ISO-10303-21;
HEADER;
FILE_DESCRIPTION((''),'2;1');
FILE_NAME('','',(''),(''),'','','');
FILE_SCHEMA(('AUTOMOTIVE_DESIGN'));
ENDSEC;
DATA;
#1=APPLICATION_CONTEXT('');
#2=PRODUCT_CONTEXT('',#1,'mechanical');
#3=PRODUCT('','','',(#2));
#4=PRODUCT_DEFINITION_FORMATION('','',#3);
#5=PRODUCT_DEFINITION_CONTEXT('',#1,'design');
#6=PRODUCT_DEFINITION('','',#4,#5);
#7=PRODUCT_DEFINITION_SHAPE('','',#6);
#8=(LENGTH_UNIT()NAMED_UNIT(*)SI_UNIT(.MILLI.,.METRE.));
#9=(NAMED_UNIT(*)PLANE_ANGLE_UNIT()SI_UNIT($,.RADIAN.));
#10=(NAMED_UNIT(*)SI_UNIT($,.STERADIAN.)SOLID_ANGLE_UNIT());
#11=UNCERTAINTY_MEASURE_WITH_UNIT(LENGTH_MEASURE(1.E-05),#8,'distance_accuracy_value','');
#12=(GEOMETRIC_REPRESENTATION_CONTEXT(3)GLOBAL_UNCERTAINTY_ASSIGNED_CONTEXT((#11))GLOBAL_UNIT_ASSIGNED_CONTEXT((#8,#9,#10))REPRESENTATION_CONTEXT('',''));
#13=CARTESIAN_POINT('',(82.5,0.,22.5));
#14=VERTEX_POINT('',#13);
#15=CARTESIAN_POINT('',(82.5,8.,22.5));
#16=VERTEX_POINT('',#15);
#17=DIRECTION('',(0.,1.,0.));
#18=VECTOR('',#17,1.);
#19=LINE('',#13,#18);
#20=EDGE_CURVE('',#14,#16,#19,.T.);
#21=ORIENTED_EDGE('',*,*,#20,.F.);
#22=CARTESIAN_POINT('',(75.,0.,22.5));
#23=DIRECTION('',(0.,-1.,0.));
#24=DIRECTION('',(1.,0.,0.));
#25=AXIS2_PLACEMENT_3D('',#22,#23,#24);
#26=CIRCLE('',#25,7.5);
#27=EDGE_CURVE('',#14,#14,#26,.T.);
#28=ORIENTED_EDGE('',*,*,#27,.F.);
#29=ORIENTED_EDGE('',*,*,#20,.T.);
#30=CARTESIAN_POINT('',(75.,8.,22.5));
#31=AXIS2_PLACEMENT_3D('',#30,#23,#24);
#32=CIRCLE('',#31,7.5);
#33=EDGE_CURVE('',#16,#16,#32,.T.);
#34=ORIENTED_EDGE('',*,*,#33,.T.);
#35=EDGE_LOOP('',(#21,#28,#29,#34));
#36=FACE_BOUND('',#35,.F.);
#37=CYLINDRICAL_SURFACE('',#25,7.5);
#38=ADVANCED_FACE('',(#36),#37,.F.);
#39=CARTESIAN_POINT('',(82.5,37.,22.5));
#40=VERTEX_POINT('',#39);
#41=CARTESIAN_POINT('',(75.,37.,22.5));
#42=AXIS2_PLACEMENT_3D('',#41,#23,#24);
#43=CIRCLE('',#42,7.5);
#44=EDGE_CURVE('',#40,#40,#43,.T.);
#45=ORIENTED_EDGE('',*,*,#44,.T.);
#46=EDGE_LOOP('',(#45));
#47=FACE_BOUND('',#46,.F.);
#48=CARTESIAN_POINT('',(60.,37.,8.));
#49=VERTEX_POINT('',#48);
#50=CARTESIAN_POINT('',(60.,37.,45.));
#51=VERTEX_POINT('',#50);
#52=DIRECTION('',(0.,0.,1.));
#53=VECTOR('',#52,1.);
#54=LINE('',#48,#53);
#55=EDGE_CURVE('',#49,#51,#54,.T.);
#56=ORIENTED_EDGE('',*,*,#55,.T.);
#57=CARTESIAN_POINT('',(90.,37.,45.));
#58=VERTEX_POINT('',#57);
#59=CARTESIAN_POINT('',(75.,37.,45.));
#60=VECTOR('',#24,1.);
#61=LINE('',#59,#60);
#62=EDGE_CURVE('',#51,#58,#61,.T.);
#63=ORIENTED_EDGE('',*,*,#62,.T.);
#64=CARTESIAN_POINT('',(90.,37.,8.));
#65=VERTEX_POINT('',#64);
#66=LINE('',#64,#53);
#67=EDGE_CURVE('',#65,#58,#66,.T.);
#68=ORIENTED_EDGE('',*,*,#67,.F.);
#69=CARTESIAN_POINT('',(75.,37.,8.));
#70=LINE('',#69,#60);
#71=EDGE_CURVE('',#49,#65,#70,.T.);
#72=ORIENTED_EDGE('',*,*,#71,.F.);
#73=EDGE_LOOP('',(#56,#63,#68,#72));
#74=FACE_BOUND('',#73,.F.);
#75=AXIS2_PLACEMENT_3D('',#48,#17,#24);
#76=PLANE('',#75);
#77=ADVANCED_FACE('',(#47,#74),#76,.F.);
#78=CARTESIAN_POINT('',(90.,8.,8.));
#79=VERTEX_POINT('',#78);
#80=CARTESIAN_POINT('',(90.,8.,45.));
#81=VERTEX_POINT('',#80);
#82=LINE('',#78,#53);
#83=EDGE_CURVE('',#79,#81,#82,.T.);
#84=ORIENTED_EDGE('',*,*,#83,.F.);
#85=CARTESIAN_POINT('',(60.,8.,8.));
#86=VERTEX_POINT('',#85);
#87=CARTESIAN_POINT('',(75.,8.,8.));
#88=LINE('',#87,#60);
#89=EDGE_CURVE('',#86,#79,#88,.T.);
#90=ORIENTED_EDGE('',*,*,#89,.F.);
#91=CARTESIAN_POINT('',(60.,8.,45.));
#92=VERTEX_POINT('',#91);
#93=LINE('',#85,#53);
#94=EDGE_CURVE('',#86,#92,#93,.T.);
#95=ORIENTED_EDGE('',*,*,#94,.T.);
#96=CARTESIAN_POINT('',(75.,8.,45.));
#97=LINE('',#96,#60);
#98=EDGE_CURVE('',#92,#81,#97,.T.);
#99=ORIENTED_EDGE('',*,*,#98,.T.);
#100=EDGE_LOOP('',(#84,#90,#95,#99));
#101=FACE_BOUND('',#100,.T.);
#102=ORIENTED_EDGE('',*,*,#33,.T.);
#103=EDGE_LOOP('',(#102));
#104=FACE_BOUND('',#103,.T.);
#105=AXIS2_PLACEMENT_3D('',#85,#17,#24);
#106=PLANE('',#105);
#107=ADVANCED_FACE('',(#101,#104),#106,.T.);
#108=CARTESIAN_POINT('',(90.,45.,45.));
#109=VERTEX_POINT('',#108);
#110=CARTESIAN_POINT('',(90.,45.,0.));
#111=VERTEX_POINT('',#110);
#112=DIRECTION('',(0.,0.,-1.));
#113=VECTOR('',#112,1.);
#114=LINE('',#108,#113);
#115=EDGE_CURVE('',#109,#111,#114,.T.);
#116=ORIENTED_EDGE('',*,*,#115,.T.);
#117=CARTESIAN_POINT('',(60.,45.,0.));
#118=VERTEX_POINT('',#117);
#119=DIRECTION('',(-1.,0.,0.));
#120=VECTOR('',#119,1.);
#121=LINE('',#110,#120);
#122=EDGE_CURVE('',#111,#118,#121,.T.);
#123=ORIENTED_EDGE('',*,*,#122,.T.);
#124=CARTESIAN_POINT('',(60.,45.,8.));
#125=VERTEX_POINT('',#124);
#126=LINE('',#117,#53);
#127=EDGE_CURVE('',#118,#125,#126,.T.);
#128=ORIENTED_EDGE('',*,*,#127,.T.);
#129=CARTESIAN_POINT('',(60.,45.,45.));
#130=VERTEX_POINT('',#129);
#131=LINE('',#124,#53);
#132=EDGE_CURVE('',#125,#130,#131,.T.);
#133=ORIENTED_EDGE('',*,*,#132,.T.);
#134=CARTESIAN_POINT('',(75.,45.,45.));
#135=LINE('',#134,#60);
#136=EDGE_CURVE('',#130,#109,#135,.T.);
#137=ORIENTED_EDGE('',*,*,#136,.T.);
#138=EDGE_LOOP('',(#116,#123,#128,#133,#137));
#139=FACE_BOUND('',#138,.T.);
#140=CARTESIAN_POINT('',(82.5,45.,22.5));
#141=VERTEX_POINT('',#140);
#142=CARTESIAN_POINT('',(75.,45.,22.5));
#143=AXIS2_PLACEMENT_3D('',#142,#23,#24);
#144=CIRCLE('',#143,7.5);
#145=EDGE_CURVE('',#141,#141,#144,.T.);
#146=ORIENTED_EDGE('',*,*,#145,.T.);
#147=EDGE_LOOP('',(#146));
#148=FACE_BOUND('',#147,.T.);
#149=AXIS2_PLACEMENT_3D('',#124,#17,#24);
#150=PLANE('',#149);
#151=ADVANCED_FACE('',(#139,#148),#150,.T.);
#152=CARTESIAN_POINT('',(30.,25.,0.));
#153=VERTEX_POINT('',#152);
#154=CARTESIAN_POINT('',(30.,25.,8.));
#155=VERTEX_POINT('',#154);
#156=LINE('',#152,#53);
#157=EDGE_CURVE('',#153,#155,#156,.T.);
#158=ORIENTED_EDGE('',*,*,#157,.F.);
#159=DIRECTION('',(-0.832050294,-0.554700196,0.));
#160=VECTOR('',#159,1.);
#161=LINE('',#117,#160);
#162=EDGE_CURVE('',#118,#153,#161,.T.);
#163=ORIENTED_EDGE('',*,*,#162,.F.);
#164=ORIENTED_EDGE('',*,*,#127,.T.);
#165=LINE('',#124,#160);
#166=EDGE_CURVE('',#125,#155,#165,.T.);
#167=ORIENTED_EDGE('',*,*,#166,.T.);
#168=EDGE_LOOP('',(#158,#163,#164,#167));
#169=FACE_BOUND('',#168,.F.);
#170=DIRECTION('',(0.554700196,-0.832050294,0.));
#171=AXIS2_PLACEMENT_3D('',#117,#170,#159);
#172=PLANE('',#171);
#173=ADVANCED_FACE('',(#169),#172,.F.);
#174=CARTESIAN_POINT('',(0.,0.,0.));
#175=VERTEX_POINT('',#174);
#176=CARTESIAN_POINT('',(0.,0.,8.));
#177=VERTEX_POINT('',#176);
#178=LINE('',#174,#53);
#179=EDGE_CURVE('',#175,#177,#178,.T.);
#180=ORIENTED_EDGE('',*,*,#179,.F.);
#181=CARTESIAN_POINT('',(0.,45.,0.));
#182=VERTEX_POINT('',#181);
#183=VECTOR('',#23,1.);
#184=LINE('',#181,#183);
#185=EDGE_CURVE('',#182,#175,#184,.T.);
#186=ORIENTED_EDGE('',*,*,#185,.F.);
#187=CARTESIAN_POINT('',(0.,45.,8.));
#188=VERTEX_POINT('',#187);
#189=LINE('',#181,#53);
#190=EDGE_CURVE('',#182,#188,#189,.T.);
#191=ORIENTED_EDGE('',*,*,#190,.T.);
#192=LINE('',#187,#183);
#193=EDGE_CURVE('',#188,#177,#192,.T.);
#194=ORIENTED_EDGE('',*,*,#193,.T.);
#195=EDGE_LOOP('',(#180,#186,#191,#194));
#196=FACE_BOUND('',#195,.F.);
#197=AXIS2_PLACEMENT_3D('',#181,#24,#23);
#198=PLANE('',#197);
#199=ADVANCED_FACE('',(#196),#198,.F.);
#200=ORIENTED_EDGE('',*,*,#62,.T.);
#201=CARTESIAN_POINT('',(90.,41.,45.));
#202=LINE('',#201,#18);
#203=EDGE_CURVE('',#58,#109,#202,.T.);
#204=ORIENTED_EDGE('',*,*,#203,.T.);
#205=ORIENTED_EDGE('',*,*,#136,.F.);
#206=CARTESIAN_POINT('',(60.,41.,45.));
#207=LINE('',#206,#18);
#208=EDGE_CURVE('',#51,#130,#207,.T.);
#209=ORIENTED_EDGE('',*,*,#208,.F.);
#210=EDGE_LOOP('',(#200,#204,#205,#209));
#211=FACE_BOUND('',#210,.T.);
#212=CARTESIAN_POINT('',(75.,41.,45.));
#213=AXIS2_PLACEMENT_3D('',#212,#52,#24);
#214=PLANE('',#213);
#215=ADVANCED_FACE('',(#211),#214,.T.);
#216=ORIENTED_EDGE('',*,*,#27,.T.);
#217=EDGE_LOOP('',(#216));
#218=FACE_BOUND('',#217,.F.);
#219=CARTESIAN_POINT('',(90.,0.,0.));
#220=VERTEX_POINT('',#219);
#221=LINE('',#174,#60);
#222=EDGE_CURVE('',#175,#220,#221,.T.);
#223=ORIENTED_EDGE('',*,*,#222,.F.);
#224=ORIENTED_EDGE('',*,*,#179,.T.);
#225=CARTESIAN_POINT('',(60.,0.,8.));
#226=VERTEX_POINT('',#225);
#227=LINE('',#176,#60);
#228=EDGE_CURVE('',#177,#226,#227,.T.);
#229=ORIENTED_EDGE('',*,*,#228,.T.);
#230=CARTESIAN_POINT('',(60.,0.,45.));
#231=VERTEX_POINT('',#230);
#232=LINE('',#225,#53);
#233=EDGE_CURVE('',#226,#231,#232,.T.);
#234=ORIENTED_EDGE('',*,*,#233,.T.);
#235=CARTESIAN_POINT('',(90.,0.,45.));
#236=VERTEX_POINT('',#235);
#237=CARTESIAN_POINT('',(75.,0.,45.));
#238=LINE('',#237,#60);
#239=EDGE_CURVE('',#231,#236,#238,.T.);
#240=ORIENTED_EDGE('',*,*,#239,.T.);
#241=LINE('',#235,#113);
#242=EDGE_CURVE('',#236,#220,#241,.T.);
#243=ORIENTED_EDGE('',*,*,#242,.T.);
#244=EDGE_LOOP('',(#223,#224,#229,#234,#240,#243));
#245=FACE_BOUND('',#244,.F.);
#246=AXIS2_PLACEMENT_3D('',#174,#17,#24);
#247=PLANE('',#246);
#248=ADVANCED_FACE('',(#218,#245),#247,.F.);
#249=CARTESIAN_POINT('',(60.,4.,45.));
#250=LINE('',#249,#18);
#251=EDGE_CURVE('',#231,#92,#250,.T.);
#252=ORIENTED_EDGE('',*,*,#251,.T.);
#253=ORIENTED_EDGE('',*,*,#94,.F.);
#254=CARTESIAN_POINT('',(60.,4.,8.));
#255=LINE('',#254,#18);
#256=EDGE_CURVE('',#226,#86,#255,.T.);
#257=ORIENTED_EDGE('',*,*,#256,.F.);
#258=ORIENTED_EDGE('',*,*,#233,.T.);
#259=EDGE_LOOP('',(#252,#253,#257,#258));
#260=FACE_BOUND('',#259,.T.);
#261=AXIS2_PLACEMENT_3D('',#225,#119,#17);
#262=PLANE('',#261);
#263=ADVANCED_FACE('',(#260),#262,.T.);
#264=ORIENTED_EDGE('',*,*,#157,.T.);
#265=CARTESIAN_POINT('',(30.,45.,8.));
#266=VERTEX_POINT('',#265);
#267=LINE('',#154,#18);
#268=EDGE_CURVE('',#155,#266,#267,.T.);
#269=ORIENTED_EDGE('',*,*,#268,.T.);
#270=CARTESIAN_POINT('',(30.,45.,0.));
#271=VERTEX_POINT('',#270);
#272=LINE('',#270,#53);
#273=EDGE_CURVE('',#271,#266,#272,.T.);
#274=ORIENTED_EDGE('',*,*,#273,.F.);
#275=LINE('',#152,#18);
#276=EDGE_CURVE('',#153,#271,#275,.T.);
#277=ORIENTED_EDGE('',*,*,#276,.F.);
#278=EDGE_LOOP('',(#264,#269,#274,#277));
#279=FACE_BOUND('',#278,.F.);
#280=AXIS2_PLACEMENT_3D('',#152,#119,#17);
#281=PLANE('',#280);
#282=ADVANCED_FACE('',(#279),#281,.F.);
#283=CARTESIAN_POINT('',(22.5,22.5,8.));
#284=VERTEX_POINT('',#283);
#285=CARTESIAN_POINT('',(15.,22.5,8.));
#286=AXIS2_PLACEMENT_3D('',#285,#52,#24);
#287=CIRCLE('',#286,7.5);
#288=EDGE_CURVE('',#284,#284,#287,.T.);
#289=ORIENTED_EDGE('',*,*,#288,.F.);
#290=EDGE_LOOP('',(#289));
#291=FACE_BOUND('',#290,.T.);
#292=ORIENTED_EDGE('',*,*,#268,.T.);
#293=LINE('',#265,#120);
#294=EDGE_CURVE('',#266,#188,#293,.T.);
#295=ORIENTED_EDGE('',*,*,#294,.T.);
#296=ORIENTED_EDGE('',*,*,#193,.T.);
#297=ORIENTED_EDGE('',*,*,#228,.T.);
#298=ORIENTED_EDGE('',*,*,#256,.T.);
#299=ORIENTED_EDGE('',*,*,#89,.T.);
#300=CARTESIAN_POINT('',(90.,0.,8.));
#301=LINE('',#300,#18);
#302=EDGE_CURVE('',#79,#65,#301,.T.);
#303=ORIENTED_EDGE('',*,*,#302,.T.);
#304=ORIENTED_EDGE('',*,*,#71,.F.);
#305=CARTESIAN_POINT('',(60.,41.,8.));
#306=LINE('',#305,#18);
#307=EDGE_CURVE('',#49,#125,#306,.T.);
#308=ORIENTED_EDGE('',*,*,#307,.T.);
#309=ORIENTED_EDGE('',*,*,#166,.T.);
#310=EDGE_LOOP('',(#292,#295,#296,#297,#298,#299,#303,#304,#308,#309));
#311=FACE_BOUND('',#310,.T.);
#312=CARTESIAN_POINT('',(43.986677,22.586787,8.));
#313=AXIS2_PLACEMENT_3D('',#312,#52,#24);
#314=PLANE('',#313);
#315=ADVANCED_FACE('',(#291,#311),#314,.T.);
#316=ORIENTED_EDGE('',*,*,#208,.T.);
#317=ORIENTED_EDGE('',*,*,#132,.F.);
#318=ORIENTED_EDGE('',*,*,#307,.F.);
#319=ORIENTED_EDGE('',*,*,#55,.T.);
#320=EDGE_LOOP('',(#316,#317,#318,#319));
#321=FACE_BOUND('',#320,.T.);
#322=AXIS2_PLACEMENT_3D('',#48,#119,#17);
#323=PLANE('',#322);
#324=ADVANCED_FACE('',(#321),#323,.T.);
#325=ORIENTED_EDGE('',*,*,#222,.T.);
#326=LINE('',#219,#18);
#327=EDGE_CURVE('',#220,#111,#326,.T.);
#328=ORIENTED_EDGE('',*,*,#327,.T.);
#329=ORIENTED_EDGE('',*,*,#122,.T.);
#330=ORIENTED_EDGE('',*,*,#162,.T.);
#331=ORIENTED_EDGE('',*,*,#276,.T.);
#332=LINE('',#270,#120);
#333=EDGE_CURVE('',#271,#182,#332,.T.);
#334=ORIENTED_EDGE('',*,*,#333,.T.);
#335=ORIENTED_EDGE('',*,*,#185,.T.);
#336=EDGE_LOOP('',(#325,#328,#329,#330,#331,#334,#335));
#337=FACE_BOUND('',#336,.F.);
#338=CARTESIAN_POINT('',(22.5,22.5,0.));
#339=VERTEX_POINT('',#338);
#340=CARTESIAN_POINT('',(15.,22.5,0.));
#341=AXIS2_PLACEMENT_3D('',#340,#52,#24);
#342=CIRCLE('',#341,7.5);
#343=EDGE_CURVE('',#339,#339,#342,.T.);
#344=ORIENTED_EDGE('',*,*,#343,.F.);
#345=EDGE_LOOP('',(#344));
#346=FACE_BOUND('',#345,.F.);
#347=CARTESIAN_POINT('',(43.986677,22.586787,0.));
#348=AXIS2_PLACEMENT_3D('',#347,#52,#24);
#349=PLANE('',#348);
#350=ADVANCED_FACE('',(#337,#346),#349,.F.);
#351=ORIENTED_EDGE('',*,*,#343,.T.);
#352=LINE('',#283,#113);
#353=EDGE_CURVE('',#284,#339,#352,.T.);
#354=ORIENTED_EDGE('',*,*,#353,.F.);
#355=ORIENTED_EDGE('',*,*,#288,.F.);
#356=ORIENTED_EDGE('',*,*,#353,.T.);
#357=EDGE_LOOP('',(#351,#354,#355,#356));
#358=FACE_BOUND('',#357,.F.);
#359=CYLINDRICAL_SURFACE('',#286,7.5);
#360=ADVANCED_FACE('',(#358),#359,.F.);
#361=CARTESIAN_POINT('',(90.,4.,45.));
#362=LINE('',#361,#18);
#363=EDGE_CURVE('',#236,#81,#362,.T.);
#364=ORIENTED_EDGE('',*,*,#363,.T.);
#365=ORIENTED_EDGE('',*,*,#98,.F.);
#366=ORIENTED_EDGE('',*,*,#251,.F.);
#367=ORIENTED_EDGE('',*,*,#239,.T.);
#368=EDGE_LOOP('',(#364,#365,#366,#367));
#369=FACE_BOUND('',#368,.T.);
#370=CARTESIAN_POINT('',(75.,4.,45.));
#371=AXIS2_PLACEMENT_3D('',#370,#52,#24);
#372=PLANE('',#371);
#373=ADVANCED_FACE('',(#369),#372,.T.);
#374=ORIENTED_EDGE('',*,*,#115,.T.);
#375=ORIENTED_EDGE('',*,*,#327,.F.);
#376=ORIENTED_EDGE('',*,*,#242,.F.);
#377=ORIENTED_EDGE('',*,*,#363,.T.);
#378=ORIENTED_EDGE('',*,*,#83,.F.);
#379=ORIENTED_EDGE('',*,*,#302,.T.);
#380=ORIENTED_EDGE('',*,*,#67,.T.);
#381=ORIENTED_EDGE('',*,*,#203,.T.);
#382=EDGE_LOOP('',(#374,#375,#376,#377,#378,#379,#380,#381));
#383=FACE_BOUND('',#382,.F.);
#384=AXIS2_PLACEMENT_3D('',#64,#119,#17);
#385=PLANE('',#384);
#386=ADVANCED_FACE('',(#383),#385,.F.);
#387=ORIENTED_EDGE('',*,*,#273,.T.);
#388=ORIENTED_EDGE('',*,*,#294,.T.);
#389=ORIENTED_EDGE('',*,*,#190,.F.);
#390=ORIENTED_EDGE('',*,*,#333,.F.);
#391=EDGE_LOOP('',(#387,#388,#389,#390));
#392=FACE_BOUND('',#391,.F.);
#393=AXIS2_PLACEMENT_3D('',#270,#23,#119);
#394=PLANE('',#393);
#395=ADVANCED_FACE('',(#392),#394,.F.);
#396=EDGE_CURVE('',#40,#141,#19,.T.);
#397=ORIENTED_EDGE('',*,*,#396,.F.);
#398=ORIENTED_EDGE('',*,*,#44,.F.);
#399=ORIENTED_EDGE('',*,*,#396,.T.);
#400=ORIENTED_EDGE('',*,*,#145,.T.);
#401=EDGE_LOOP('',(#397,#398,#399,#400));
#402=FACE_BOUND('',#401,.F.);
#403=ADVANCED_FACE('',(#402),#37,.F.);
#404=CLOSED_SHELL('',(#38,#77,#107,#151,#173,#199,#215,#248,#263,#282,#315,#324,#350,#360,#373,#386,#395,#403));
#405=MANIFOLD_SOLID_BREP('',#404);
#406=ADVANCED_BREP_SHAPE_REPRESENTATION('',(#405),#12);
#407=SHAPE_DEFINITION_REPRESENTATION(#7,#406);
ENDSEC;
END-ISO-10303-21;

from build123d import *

# Parameters (mm, degrees)
F1_DEPTH = 8
F2_W     = 30
F2_H     = 8
F3_DEPTH = 37
F4_R     = 7.5
F5_DEPTH = 45.001
F6_R     = 7.5
F7_DEPTH = 25


with BuildPart() as f1:
    # F0 (on Top) → F1 (new body)
    with BuildSketch(Plane.XY):
        Polygon((0, 45), (0, 0), (90, 0), (90, 45), (60, 45), (30, 25), (30, 45), align=None)
    extrude(amount=F1_DEPTH)

    # F2 (on face) → F3 (join)
    with BuildSketch(Plane.XY.offset(8)):
        with Locations((75, 41)):
            Rectangle(F2_W, F2_H)
        with Locations((75, 4)):
            Rectangle(F2_W, F2_H)
    extrude(amount=F3_DEPTH)

    # F4 (on face) → F5 (cut, through all)
    with BuildSketch(Plane.XZ):
        with Locations((75, 22.5)):
            Circle(F4_R)
    extrude(amount=-F5_DEPTH, mode=Mode.SUBTRACT)

    # F6 (on face) → F7 (cut)
    with BuildSketch(Plane.XY.offset(8)):
        with Locations((15, 22.5)):
            Circle(F6_R)
    extrude(amount=-F7_DEPTH, mode=Mode.SUBTRACT)


solid = f1.part
